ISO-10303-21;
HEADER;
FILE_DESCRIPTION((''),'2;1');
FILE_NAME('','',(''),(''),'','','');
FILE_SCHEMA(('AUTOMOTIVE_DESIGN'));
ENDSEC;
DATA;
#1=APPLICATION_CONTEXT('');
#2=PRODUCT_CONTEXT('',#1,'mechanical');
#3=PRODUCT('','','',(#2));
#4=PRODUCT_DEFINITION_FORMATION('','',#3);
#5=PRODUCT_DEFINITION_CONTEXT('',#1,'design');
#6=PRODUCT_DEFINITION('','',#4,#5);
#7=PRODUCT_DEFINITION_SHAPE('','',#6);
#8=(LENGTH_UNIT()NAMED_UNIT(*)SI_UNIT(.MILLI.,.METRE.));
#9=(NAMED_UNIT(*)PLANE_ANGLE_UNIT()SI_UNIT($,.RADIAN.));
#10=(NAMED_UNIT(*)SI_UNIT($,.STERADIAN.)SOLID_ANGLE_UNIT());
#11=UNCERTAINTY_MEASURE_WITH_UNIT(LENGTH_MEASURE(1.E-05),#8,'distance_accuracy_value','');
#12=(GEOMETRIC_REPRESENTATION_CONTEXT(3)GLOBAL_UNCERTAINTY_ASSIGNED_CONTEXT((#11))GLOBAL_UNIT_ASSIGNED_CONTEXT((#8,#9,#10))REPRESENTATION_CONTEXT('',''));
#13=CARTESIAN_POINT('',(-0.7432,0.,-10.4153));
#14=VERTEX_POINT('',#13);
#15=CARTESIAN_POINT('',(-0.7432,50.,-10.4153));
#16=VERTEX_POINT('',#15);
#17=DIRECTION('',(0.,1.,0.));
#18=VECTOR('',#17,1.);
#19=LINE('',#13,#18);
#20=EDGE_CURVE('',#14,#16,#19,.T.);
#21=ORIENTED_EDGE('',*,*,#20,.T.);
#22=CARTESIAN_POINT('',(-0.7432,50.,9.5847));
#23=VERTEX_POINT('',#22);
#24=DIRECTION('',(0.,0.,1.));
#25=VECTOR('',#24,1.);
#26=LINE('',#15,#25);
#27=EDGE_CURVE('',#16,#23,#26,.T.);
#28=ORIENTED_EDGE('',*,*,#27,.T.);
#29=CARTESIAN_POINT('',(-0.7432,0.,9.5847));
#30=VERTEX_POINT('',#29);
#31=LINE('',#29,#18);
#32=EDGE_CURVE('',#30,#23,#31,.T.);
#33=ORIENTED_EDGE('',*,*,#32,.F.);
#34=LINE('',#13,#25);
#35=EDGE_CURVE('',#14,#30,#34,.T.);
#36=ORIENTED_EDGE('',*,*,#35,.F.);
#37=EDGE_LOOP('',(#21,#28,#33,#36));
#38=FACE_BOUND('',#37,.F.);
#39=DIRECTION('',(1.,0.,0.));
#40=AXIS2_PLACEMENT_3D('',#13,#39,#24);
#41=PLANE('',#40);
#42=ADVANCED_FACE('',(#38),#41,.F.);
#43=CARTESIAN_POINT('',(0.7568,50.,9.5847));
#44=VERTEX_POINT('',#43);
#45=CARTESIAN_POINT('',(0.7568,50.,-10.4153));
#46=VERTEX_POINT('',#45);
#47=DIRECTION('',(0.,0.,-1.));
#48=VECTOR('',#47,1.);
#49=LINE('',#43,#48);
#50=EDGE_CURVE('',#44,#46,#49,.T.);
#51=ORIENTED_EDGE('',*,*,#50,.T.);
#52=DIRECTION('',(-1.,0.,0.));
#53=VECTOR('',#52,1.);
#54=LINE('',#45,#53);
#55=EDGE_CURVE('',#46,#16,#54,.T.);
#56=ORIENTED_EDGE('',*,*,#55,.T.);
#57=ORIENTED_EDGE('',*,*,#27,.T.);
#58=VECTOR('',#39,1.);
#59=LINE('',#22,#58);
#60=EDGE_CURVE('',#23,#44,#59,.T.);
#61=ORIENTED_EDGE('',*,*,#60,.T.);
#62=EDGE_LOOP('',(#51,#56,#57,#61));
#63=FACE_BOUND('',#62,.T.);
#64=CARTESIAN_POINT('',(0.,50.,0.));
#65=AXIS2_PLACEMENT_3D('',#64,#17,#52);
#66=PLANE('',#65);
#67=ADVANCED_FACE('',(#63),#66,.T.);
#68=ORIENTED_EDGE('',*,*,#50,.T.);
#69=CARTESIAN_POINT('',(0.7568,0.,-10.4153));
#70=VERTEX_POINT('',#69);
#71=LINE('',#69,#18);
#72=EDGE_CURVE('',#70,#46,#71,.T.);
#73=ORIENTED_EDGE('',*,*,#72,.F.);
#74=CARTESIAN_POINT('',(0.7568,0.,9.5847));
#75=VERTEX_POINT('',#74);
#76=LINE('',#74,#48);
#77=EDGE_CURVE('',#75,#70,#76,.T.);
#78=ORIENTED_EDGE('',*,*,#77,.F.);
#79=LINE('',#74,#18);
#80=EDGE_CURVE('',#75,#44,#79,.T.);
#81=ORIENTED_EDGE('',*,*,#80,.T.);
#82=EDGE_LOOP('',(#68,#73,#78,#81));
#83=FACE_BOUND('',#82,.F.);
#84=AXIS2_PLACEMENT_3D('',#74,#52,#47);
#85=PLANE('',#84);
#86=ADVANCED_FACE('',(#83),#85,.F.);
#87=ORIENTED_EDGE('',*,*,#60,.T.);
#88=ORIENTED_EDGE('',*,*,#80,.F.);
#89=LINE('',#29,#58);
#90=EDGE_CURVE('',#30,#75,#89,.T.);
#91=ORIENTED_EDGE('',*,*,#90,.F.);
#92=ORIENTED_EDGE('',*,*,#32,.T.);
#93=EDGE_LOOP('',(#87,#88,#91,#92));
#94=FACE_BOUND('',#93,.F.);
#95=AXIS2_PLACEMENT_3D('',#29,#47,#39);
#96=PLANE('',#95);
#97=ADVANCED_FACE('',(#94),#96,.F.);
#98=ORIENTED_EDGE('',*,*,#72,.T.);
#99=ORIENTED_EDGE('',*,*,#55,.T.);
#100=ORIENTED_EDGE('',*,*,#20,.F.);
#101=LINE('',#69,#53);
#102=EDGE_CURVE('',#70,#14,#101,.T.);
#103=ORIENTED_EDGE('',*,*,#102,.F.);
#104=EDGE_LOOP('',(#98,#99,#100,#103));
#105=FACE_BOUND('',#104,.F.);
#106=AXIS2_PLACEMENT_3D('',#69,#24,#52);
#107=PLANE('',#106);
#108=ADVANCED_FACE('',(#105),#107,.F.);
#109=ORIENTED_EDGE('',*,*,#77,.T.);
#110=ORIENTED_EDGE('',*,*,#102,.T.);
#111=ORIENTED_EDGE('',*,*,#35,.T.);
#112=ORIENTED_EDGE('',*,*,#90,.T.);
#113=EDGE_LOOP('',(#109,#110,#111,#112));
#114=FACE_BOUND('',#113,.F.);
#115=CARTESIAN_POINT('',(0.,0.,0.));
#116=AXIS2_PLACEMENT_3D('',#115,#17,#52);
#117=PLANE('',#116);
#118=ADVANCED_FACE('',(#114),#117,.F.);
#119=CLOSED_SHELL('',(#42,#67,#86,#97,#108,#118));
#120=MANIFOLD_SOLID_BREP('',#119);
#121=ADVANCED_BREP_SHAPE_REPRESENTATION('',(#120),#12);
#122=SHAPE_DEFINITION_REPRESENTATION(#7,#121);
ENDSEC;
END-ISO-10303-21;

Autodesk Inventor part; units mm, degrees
ref_plane "YZ Plane" through (0, 0, 0) normal (1, 0, 0) x (0, 1, 0)
ref_plane "XZ Plane" through (0, 0, 0) normal (0, 1, 0) x (-1, 0, 0)
ref_plane "XY Plane" through (0, 0, 0) normal (0, 0, 1) x (1, 0, 0)
sketch "Sketch1" plane through (0, 0, 0) normal (0, 1, 0) x (-1, 0, 0)
  line L0 (0.7432, 9.5847) -> (-0.7568, 9.5847)
  line L1 (-0.7568, 9.5847) -> (-0.7568, -10.4153)
  line L2 (-0.7568, -10.4153) -> (0.7432, -10.4153)
  line L3 (0.7432, -10.4153) -> (0.7432, 9.5847)
  point P0 (0, 0)
  dimension "d0" = 20
  dimension "d1" = 1.5
extrude "Extrusion1" add sketch "Sketch1" along normal blind 50
sketch "Sketch2" plane through (0, 0, 0) normal (0, -1, 0) x (1, 0, 0)
  point P0 (0, 0)
sketch "Sketch3" plane through (0, 0, 0) normal (0, -1, 0) x (1, 0, 0)
  line L0 (-0.7432, -10.4153) -> (-0.7432, 9.5847) projected
  line L1 (0.7568, 9.5847) -> (0.7568, -10.4153) projected
  line L2 (-0.7432, 6.59) -> (0.7568, 6.59)
  line L3 (0.7568, 6.59) -> (0.7568, 1.59)
  line L4 (0.7568, 1.59) -> (-0.7432, 1.59)
  line L5 (-0.7432, 1.59) -> (-0.7432, 6.59)
  line L6 (-0.7432, -2.11) -> (0.7568, -2.11)
  line L7 (0.7568, -2.11) -> (0.7568, -7.11)
  line L8 (0.7568, -7.11) -> (-0.7432, -7.11)
  line L9 (-0.7432, -7.11) -> (-0.7432, -2.11)
  point P0 (0, 0)
  dimension "d4" = 5
  dimension "d5" = 5
properties part number "Arcylic_Panel_Base_20mm_BU"
